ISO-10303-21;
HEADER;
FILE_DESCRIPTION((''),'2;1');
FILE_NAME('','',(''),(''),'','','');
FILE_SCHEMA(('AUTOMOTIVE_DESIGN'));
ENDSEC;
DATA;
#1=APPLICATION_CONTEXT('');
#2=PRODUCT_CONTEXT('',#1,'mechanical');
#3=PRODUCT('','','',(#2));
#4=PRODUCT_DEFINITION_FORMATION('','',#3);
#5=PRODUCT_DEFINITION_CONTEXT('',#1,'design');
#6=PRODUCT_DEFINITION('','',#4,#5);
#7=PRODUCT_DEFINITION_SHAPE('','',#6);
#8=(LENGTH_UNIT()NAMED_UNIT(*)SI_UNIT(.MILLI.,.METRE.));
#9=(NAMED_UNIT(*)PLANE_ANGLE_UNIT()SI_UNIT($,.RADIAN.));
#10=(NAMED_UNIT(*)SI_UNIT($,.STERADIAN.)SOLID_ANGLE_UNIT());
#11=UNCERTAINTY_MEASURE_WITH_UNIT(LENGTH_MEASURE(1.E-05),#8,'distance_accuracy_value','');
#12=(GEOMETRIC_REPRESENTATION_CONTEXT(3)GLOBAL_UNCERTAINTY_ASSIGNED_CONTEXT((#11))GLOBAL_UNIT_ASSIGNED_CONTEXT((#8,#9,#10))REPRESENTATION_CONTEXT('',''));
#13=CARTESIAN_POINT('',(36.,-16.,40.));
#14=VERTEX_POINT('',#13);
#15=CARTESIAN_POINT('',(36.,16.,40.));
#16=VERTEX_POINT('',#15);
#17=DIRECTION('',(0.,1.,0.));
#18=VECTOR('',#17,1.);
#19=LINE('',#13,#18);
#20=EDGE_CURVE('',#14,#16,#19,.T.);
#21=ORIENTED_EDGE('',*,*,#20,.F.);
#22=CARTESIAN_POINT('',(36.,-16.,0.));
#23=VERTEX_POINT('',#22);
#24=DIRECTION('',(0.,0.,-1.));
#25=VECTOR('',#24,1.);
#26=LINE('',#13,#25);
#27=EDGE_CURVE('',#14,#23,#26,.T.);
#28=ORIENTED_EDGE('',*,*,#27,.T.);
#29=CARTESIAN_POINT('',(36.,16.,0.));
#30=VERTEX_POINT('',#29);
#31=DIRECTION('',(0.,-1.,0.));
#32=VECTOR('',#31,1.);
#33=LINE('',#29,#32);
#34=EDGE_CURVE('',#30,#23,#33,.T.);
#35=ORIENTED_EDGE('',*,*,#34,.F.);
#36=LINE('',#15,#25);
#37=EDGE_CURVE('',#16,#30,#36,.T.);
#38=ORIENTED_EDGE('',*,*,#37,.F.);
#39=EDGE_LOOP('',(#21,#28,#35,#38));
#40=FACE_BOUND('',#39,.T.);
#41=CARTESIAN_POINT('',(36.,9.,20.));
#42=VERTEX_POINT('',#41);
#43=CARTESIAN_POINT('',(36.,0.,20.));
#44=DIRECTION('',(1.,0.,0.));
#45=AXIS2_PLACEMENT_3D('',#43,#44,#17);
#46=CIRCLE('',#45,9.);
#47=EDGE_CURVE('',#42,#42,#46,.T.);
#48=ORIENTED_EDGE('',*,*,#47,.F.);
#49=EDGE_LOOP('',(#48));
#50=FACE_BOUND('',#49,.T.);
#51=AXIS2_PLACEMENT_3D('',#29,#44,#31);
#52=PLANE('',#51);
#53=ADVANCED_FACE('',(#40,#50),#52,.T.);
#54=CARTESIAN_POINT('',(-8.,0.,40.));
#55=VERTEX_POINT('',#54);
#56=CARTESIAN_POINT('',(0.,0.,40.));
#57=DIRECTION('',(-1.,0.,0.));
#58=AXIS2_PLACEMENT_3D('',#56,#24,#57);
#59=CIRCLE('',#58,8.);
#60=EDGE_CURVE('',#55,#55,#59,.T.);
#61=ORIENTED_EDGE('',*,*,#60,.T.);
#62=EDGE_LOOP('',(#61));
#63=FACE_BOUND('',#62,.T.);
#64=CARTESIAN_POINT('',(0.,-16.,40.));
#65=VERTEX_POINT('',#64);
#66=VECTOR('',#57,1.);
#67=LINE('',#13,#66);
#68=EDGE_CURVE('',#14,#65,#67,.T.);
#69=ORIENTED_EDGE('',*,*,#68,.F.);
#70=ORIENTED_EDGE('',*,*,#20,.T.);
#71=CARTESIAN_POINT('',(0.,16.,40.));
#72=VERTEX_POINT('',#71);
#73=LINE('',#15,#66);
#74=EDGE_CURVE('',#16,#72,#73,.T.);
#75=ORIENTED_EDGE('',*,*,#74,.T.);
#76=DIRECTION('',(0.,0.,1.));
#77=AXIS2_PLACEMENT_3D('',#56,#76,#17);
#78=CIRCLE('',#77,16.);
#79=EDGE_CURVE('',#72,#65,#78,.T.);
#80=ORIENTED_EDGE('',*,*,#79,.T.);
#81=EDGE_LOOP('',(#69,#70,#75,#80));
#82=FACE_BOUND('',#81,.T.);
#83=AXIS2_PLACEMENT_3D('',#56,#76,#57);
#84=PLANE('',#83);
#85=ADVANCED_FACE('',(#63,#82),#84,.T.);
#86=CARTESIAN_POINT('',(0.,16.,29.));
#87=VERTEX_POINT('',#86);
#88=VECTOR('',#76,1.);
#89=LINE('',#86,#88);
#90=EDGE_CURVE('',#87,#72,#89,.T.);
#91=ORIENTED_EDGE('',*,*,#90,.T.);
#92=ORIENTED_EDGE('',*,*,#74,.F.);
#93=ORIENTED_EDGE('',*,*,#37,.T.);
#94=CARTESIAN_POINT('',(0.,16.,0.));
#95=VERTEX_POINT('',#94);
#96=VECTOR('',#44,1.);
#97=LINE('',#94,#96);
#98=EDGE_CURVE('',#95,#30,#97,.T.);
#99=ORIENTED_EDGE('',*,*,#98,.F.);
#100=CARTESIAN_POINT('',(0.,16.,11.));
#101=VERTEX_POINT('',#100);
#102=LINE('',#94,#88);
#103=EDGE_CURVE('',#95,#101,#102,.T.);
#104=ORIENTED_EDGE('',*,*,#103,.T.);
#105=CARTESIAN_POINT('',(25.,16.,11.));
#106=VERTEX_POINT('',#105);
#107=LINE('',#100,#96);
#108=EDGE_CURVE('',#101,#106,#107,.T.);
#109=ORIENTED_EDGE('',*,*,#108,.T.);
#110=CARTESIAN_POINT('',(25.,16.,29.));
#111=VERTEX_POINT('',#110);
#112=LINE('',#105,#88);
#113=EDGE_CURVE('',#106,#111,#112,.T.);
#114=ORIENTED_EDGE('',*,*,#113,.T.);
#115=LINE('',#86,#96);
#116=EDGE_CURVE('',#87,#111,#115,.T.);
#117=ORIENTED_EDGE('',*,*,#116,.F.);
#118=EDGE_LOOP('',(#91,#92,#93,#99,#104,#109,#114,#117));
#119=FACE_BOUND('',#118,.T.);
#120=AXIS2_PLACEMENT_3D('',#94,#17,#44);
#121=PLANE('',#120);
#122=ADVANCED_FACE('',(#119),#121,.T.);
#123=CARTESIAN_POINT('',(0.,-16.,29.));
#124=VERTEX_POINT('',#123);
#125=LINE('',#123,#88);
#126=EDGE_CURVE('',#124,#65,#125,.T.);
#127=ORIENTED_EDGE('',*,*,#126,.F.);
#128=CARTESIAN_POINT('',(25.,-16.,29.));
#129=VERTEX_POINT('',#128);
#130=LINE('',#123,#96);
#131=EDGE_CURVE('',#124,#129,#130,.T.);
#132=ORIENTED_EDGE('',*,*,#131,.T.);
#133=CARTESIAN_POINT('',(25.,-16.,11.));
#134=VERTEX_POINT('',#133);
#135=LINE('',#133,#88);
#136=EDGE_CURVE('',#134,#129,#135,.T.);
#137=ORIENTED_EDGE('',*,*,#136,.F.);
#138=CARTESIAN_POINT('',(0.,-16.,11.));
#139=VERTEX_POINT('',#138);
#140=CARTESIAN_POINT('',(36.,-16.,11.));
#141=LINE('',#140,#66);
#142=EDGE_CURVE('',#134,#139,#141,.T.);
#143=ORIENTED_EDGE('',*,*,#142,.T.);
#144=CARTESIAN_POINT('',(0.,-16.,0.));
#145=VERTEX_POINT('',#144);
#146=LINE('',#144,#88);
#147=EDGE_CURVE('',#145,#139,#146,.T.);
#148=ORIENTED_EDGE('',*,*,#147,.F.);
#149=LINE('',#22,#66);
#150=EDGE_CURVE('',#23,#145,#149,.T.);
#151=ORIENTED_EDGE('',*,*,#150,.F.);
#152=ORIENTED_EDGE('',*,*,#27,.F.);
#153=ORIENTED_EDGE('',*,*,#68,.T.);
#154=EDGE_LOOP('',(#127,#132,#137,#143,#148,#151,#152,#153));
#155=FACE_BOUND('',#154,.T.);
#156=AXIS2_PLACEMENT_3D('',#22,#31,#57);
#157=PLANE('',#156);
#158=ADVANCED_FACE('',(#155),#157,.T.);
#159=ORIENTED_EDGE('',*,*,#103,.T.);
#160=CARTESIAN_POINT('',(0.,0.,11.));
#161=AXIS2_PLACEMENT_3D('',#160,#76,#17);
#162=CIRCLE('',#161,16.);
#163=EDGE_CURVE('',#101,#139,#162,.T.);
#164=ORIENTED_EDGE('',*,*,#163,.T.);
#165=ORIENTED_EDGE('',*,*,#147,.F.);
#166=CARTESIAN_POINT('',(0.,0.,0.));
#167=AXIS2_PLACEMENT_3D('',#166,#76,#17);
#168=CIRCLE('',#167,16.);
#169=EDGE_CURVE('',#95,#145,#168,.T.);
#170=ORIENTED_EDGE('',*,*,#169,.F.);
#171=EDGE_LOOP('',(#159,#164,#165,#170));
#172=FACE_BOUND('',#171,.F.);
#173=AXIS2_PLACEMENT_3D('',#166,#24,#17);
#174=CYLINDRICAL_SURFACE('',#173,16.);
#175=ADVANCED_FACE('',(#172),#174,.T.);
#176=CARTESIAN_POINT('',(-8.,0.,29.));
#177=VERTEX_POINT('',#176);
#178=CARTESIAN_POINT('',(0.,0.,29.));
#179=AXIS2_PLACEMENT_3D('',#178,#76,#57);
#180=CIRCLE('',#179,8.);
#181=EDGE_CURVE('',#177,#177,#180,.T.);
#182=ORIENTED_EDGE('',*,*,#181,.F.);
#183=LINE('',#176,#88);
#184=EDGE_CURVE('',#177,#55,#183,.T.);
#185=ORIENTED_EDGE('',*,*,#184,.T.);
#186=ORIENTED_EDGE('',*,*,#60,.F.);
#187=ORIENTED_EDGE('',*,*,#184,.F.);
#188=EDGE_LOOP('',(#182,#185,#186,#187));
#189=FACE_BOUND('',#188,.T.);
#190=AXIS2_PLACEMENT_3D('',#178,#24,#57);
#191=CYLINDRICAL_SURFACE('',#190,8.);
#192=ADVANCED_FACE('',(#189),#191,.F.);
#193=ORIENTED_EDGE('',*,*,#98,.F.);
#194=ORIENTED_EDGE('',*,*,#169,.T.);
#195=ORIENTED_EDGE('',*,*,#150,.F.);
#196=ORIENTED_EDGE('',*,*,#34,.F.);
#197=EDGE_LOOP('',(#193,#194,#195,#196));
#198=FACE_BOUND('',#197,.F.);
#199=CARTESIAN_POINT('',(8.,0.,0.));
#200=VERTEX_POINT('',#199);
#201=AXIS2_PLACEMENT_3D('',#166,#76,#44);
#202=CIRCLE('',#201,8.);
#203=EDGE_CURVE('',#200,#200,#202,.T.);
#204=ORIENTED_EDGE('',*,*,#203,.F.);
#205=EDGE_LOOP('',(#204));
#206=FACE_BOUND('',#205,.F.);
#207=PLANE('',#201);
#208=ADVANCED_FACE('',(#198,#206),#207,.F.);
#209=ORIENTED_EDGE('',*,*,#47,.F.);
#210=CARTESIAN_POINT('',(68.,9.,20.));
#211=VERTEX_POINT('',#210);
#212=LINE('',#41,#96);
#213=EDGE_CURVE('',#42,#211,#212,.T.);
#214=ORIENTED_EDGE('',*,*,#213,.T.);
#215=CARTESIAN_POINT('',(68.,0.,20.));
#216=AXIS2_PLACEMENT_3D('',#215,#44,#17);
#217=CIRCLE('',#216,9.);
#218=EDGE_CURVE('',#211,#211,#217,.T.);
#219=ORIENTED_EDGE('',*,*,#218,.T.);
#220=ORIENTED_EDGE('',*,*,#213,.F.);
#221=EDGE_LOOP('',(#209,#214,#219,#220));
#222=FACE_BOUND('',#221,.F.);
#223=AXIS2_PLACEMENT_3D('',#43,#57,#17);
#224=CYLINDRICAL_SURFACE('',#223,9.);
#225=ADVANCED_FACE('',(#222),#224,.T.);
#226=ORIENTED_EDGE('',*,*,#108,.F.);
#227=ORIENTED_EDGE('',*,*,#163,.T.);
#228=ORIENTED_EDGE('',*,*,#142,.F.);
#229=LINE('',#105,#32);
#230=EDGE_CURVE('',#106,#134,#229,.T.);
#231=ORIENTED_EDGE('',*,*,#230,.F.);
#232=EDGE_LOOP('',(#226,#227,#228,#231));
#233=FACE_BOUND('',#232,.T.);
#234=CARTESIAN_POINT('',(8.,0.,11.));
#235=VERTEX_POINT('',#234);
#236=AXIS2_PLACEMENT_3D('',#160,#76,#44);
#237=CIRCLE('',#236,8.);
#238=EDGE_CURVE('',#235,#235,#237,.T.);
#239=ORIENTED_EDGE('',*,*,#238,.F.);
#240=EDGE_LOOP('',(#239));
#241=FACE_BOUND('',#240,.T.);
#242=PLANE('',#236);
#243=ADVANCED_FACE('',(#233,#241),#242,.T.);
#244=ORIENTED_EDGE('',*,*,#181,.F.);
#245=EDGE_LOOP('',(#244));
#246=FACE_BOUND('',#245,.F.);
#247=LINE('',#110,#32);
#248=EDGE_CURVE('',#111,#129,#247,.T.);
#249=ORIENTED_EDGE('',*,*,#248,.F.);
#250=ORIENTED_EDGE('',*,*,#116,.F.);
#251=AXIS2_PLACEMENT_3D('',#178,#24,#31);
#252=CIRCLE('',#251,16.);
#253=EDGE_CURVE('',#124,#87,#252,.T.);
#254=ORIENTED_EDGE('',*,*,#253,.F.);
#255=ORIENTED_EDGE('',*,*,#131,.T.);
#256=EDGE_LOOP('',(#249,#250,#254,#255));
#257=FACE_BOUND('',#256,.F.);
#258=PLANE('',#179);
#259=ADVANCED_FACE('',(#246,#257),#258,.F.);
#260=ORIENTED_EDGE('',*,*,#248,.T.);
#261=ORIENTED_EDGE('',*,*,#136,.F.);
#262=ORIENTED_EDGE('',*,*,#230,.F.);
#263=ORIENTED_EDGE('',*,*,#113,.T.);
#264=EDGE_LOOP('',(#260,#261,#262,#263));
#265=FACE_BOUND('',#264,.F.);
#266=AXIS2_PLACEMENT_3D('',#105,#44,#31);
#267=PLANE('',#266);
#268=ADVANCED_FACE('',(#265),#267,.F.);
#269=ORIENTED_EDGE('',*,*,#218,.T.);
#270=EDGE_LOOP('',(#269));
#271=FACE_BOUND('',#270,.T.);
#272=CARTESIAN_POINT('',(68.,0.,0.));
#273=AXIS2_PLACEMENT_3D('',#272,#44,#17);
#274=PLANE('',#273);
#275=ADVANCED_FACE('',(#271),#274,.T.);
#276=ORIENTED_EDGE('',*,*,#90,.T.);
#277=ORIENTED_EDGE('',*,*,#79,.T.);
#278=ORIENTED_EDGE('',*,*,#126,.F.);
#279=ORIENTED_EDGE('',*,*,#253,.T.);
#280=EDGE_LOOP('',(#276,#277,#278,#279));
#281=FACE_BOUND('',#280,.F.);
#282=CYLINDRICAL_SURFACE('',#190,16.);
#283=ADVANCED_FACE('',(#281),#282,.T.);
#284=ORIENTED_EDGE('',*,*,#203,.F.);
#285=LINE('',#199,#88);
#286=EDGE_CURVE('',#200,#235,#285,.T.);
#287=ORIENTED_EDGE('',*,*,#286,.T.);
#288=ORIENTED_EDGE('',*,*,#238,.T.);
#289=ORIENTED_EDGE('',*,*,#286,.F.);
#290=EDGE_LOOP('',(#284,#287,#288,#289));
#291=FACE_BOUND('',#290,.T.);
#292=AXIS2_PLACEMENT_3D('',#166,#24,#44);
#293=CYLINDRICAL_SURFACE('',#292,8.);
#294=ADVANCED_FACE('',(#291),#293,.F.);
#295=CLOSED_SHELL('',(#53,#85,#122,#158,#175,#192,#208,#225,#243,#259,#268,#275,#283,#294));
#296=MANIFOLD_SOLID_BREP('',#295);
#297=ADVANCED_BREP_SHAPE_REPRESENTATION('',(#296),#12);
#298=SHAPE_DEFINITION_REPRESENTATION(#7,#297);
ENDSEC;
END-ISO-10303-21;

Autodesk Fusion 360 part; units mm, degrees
sketch "Sketch1" plane through (0, 0, 0) normal (0, 0, 1) x (1, 0, 0)
  circle A0 centre (0, 0) radius 8
  line L0 (0, 16) -> (36, 16)
  line L1 (36, 16) -> (36, -16)
  line L2 (36, -16) -> (0, -16)
  arc A1 (0, 16) -> (0, -16) centre (0, 0) ccw
  dimension "d1" = 16
  dimension "d2" = 32
  dimension "d3" = 36
  dimension "d4" = 32
extrude "Extrude1" add sketch "Sketch1" along normal blind 11
sketch "Sketch2" plane through (0, 0, 11) normal (0, 0, 1) x (-1, 0, 0)
  circle A0 centre (0, 0) radius 8
  line L0 (-36, -16) -> (0, -16)
  arc A1 (0, -16) -> (0, 16) centre (0, 0) ccw
  line L1 (0, 16) -> (-36, 16)
  line L2 (-36, 16) -> (-36, -16)
  line L3 (-36, -16) -> (-25, -16)
  line L4 (-25, -16) -> (-25, 16)
  line L5 (-25, 16) -> (-36, 16)
  line L6 (-36, 16) -> (-36, -16)
  dimension "d7" = 11
  dimension "d8" = 32
extrude "Extrude2" add sketch "Sketch2" along normal blind 18 contours L0 L1 L2 L3 L4 L5 L6
sketch "Sketch3" plane through (0, 0, 29) normal (0, 0, 1) x (-1, 0, 0)
  line L0 (-36, 16) -> (-36, -16)
  line L1 (-36, -16) -> (-25, -16)
  line L2 (-25, -16) -> (-25, 16)
  line L3 (-25, 16) -> (-36, 16)
  line L4 (-36, -16) -> (0, -16)
  line L5 (0, -16) -> (0, 16)
  line L6 (0, 16) -> (-36, 16)
  line L7 (-36, 16) -> (-36, -16)
  circle A0 centre (0, 0) radius 8
  circle A1 centre (0, 0) radius 16
  dimension "d11" = 36
  dimension "d12" = 32
  dimension "d13" = 16
  dimension "d14" = 32
extrude "Extrude3" add sketch "Sketch3" along normal blind 11 contours L0 L1 L2 L3 L4 L6 L7 | L2 L4 L6 A1 | L5 A0 A1 | L5 A0 A1
sketch "Sketch4" plane through (36, 0, 0) normal (1, 0, 0) x (0, 1, 0)
  line L0 (-16, 0) -> (16, 0)
  line L1 (16, 0) -> (16, 40)
  line L2 (16, 40) -> (-16, 40)
  line L3 (-16, 40) -> (-16, 0)
  line L4 (16, 0) -> (16, 20)
  line L5 (16, 20) -> (0, 20)
  circle A0 centre (0, 20) radius 9
  dimension "d17" = 20
  dimension "d18" = 16
  dimension "d19" = 18
extrude "Extrude4" add sketch "Sketch4" along normal blind 32 contours A0
